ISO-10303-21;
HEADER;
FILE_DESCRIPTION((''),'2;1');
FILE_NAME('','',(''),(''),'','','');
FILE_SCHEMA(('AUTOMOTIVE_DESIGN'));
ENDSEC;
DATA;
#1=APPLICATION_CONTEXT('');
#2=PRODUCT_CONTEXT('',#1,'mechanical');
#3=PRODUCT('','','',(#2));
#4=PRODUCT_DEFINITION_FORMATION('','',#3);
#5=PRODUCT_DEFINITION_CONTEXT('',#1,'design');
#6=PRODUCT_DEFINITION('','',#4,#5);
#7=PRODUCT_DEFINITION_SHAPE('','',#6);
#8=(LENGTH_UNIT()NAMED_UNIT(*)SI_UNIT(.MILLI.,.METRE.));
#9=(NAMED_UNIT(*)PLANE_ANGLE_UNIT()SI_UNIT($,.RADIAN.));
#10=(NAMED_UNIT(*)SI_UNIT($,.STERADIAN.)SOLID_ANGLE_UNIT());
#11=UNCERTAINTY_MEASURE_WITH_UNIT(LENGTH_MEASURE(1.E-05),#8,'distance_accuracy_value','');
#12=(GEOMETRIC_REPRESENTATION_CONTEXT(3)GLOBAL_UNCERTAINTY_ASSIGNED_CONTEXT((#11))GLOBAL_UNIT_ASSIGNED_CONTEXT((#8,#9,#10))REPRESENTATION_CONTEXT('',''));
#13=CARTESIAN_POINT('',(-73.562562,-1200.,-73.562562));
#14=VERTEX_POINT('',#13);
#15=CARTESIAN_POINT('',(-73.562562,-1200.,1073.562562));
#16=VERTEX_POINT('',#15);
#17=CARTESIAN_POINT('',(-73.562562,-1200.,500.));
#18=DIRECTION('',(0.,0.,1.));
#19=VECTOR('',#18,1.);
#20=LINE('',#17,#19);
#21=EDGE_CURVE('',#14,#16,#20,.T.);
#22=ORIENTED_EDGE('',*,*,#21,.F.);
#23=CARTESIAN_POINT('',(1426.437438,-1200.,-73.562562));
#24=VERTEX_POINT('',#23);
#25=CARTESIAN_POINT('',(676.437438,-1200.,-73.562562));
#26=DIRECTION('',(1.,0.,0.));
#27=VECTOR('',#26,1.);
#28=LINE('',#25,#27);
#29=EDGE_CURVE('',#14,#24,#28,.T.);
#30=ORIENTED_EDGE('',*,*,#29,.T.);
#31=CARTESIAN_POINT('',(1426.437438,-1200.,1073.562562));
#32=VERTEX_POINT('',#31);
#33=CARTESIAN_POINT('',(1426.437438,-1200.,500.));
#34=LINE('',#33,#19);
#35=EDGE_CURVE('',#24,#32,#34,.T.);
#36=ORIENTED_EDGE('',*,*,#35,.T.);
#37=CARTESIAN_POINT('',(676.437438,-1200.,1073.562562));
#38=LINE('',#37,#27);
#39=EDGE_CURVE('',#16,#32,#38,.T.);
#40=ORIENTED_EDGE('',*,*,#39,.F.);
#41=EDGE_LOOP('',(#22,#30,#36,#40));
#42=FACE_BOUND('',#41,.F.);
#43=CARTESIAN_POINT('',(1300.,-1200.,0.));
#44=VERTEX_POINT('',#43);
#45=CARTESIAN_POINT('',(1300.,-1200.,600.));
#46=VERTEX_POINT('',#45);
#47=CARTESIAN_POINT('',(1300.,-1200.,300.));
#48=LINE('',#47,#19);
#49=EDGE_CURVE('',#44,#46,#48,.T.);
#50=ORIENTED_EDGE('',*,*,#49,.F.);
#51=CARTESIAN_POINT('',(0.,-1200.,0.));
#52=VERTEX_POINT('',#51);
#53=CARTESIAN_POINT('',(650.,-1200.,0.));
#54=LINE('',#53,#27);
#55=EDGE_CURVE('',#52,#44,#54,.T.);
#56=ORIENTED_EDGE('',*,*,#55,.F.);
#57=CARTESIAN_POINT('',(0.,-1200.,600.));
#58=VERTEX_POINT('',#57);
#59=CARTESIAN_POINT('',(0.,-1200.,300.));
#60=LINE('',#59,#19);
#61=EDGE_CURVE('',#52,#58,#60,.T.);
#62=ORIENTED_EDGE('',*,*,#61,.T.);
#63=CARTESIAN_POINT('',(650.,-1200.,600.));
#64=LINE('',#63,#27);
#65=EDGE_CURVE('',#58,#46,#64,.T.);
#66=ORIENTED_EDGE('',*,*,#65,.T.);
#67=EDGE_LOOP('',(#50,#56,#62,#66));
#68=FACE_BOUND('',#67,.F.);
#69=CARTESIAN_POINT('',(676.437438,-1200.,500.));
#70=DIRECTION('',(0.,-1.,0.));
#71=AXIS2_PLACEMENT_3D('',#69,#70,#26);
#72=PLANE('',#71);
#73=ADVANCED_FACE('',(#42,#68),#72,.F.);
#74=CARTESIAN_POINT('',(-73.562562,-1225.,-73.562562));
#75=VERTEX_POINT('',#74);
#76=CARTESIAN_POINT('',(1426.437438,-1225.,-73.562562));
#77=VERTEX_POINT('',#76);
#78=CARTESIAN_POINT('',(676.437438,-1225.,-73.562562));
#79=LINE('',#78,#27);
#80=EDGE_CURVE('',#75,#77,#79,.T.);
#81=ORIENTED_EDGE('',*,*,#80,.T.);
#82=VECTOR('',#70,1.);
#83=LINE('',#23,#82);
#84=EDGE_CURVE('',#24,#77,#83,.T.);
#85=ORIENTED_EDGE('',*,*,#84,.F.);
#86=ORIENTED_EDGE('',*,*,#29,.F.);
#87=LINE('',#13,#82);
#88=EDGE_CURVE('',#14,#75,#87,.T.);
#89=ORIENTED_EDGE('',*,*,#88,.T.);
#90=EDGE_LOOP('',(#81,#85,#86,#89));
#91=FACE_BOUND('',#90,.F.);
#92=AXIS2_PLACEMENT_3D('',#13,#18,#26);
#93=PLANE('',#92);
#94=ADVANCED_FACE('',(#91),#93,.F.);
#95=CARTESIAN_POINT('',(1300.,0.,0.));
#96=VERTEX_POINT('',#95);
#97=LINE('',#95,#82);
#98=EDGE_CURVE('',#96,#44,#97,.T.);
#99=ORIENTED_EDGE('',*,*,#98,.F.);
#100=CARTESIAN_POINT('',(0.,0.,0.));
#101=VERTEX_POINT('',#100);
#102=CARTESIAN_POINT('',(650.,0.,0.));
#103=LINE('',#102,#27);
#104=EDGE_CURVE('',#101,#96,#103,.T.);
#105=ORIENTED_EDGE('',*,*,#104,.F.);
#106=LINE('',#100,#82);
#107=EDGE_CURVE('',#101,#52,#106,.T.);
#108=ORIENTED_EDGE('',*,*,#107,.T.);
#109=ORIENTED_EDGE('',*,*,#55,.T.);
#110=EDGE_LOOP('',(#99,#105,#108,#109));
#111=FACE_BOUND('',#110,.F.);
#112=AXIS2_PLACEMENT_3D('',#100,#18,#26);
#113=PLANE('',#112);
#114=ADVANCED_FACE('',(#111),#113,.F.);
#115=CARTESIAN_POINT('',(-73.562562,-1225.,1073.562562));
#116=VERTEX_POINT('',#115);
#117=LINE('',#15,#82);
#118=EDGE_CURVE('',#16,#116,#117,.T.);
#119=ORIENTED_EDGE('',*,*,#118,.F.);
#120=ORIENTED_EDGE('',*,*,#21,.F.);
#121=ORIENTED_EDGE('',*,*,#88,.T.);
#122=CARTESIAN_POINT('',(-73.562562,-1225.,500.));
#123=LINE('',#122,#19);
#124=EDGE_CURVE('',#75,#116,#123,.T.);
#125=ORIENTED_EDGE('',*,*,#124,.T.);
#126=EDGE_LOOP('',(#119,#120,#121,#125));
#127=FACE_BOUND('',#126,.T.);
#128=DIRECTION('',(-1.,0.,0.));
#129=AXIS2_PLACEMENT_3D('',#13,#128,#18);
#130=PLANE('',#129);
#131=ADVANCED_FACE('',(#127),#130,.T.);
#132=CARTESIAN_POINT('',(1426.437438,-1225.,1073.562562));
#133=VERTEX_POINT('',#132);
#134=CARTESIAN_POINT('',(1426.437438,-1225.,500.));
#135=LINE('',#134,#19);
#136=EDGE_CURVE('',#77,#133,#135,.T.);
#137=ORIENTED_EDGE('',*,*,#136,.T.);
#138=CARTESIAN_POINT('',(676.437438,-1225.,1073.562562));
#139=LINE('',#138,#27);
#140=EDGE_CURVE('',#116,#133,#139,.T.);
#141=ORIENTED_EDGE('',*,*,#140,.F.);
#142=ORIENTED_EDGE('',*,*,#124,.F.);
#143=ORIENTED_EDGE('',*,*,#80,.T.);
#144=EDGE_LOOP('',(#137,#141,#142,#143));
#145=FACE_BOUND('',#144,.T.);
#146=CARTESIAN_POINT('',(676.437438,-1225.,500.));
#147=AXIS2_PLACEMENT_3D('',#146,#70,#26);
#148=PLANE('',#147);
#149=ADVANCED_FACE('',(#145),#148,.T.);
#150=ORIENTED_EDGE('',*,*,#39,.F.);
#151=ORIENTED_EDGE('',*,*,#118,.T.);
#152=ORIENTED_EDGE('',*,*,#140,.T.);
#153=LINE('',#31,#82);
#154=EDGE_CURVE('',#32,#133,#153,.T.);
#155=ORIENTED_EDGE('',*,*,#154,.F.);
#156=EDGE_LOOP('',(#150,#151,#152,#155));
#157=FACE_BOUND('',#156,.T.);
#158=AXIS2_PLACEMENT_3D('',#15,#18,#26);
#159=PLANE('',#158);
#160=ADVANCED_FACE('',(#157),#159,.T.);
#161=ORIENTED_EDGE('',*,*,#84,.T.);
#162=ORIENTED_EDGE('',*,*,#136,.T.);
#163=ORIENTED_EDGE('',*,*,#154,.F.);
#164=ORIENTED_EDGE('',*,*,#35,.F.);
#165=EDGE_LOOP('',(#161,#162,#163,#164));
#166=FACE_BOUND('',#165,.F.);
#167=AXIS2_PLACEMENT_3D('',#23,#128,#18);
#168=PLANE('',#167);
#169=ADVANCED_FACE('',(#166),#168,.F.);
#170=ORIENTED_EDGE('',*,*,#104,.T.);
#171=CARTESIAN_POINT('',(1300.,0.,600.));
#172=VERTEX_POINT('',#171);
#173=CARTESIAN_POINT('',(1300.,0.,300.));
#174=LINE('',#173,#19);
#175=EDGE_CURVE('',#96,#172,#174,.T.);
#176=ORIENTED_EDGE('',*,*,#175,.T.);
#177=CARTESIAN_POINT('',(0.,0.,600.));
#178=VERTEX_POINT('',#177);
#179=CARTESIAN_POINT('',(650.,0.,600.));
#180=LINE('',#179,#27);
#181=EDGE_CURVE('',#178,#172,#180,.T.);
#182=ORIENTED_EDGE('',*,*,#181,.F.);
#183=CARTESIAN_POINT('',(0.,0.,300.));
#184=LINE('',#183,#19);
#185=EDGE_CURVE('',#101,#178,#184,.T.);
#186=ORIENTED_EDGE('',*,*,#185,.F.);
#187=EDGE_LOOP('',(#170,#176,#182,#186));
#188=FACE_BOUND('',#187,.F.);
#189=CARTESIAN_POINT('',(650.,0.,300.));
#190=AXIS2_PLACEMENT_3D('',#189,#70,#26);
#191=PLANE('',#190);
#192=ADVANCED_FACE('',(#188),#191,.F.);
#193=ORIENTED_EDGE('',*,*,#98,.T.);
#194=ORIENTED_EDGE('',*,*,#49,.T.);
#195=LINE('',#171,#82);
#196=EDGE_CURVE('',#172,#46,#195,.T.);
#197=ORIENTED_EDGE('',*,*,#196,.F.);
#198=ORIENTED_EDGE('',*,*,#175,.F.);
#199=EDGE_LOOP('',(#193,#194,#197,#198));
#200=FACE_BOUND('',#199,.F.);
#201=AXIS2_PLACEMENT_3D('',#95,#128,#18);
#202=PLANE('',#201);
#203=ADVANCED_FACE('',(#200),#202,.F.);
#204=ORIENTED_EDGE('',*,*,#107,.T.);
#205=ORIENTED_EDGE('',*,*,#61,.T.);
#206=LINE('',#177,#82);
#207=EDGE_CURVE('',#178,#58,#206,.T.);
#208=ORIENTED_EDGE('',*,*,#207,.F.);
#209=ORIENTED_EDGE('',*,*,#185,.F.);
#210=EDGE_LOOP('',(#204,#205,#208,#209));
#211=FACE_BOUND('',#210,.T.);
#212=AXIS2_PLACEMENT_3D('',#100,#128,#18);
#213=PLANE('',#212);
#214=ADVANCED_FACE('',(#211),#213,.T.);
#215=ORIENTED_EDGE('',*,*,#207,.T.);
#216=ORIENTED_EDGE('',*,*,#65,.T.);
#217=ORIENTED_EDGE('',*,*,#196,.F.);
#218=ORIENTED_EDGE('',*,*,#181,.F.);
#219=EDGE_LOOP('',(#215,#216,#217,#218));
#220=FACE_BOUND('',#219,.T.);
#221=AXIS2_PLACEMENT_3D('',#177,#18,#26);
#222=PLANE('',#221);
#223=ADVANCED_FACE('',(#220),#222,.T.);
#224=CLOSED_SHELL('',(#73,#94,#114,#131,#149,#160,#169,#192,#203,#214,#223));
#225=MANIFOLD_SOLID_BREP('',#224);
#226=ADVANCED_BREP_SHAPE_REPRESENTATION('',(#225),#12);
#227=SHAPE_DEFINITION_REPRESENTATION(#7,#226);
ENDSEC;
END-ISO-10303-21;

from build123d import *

# Parameters (mm, degrees)
F0_W     = 1300
F0_H     = 600
F1_DEPTH = 1200
F2_W     = 1500
F2_H     = 1147.1251249313
F2_W_2   = 1300
F2_H_2   = 600
F3_DEPTH = 25


with BuildPart() as f1:
    # F0 (on Front) → F1 (new body)
    with BuildSketch(Plane.XZ):
        with Locations((650, 300)):
            Rectangle(F0_W, F0_H)
    extrude(amount=F1_DEPTH)

    # F2 (on face) → F3 (join)
    with BuildSketch(Plane.XZ.offset(1200)):
        with Locations((676.4374375343, 500)):
            Rectangle(F2_W, F2_H)
        with Locations((650, 300)):
            Rectangle(F2_W_2, F2_H_2, mode=Mode.SUBTRACT)
        with Locations((650, 300)):
            Rectangle(F2_W_2, F2_H_2)
    extrude(amount=F3_DEPTH)


solid = f1.part
